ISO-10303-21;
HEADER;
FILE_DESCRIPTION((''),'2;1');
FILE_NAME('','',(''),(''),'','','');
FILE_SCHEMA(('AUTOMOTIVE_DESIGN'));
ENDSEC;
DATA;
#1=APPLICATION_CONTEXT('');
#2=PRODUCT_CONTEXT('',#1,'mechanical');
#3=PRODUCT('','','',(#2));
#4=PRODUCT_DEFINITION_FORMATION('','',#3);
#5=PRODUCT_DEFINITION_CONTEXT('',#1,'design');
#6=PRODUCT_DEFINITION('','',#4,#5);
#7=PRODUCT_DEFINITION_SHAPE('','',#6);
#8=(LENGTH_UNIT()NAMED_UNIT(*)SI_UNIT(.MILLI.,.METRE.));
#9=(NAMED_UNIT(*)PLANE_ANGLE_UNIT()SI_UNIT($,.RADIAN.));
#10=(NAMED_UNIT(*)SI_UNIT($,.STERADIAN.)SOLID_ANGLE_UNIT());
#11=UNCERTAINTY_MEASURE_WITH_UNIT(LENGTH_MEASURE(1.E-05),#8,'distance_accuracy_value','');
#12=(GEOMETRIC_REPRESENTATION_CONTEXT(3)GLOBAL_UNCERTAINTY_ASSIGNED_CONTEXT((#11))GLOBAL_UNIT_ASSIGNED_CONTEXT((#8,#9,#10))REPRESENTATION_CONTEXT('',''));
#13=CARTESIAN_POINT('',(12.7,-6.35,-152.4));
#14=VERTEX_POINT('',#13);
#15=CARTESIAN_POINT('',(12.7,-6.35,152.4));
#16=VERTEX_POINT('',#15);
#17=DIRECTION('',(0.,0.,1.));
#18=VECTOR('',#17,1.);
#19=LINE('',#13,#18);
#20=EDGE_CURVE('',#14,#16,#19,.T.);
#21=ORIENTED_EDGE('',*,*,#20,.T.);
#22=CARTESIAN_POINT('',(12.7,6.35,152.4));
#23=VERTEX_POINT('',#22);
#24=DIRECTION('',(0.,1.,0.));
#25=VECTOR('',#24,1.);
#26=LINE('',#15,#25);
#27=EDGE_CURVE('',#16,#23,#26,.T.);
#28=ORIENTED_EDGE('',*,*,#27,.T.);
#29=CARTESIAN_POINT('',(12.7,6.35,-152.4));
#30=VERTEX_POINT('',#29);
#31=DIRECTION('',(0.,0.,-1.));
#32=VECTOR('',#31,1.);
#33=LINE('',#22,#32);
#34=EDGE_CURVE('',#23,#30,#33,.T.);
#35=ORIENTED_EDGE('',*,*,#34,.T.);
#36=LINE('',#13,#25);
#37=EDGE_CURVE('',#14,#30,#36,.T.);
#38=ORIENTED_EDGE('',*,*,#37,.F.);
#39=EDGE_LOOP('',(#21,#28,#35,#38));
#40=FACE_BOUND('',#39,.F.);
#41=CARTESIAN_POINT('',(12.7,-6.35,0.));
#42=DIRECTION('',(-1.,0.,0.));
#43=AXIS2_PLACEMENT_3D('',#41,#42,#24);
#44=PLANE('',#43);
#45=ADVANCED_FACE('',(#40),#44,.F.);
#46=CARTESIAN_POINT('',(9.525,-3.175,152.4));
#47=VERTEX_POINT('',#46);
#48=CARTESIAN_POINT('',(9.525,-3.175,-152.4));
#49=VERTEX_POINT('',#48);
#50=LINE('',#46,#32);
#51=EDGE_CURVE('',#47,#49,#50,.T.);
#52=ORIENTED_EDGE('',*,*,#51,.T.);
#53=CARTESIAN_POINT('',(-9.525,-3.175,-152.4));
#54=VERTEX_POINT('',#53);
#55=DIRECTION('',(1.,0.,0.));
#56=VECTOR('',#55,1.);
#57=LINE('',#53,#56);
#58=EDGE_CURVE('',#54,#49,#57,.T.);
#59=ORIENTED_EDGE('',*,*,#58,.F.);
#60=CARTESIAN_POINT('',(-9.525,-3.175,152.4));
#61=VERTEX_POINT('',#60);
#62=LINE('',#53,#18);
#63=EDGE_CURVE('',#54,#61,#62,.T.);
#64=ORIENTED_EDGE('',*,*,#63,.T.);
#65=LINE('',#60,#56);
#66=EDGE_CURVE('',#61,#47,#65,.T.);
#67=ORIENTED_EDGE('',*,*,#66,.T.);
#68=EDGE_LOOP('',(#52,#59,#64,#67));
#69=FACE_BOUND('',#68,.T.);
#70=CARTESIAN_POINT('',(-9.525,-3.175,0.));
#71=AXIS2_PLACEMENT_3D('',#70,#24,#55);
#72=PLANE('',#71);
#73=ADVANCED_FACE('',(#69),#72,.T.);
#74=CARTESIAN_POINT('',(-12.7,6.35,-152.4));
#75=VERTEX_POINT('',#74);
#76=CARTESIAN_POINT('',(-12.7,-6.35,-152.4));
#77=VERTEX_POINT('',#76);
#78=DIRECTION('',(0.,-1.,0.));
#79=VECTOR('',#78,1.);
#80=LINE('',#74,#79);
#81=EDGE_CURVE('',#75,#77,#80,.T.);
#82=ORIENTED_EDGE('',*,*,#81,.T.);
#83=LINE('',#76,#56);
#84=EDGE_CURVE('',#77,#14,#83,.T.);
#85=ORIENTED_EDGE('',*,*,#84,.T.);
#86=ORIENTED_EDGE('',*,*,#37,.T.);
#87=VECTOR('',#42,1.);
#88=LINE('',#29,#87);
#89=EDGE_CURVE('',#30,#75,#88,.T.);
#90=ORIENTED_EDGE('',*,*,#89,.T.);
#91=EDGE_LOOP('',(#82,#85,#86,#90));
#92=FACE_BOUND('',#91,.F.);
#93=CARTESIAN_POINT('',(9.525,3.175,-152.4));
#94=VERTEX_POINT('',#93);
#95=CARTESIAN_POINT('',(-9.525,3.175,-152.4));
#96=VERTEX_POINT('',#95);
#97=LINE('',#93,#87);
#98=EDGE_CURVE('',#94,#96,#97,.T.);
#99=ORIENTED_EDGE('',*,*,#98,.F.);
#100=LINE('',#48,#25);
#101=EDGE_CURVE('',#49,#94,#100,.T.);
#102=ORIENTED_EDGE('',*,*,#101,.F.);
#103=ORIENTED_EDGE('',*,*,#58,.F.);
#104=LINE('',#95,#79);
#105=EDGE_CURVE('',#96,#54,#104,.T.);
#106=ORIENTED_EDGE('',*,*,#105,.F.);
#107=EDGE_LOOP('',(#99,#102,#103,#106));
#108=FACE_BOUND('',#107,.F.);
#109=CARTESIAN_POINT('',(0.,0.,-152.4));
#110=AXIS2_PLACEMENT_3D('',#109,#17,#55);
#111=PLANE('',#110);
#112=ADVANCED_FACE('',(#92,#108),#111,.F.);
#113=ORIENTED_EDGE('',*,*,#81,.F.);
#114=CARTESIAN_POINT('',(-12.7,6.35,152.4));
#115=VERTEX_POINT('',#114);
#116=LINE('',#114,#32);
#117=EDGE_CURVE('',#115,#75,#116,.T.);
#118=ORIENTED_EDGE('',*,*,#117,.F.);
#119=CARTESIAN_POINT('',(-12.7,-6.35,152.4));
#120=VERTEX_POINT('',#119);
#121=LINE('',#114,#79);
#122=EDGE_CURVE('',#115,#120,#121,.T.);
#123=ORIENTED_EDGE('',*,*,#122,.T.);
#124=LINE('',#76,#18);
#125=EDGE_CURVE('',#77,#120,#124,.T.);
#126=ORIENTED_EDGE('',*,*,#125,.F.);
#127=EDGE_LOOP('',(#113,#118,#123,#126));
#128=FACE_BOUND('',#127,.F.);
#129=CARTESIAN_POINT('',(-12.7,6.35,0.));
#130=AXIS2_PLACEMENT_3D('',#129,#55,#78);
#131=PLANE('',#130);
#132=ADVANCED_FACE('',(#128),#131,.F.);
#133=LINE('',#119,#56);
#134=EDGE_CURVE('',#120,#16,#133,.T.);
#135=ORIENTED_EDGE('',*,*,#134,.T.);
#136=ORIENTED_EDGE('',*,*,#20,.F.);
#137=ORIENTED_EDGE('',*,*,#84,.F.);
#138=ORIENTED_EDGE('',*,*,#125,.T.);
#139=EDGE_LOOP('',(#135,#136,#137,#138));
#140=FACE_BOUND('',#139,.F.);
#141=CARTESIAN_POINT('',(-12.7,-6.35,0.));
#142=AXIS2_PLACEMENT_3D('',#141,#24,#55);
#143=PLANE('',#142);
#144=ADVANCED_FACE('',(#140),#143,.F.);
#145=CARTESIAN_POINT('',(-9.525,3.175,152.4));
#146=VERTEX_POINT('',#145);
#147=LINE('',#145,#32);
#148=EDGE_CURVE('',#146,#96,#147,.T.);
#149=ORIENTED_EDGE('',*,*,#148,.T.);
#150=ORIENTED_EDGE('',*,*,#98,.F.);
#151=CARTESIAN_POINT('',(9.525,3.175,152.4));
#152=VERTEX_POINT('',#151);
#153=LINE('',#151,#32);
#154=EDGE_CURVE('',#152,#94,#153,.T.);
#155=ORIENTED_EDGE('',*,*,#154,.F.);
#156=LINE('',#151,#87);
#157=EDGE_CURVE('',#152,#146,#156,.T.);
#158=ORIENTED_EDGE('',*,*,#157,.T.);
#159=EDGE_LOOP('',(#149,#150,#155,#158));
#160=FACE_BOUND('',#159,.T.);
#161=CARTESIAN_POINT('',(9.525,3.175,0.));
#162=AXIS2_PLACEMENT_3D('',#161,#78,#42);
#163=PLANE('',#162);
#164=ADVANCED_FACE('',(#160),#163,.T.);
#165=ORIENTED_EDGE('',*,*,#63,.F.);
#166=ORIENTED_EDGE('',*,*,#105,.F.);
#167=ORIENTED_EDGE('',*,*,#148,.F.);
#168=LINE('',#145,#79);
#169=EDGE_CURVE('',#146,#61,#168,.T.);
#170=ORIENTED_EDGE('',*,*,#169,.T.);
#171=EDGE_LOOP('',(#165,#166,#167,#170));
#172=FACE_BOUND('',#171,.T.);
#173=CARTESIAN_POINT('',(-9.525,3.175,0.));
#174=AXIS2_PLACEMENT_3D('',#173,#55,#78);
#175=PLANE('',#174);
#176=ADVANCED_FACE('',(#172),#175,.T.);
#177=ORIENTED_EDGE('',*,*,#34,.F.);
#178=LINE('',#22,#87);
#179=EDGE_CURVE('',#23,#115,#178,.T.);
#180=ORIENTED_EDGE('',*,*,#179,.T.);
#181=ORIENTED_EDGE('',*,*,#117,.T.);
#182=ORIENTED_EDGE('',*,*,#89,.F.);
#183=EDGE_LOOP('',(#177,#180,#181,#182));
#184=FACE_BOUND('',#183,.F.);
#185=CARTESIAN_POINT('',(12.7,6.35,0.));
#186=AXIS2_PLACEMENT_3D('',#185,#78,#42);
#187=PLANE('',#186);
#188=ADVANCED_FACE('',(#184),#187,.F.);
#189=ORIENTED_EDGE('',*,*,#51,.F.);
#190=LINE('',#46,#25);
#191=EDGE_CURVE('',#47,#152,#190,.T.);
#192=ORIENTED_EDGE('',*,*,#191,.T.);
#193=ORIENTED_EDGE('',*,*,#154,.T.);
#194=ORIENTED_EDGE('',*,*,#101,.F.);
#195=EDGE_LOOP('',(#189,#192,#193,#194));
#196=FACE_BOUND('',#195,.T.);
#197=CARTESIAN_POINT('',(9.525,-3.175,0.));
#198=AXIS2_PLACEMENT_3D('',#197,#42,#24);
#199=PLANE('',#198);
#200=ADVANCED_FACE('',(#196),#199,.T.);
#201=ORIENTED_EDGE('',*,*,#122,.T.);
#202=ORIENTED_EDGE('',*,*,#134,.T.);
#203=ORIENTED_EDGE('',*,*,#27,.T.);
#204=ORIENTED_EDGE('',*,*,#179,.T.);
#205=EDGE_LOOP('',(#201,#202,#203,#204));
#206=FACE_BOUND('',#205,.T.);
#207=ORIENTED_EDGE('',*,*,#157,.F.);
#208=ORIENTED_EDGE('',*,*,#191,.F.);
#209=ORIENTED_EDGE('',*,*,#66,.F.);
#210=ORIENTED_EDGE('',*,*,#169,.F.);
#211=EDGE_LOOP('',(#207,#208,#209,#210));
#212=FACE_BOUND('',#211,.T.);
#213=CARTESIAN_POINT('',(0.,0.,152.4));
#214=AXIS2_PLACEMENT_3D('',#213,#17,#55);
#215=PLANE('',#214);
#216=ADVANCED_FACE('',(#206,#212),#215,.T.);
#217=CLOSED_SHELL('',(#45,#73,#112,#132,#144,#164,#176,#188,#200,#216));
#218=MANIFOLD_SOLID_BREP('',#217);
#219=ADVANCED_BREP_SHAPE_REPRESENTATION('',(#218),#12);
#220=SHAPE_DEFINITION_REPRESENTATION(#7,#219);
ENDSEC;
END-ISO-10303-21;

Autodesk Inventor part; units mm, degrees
ref_plane "YZ Plane" through (0, 0, 0) normal (1, 0, 0) x (0, 1, 0)
ref_plane "XZ Plane" through (0, 0, 0) normal (0, 1, 0) x (-1, 0, 0)
ref_plane "XY Plane" through (0, 0, 0) normal (0, 0, 1) x (1, 0, 0)
sketch "Sketch1" plane through (0, 0, 0) normal (0, 0, 1) x (1, 0, 0)
  line L0 (-12.7, -6.35) -> (12.7, -6.35)
  line L1 (12.7, -6.35) -> (12.7, 6.35)
  line L2 (12.7, 6.35) -> (-12.7, 6.35)
  line L3 (-12.7, 6.35) -> (-12.7, -6.35)
  line L4 (-12.7, -6.35) -> (12.7, 6.35) construction
  line L5 (12.7, -6.35) -> (-12.7, 6.35) construction
  line L6 (-9.525, -3.175) -> (9.525, -3.175)
  line L7 (9.525, -3.175) -> (9.525, 3.175)
  line L8 (9.525, 3.175) -> (-9.525, 3.175)
  line L9 (-9.525, 3.175) -> (-9.525, -3.175)
  line L10 (-9.525, -3.175) -> (9.525, 3.175) construction
  line L11 (9.525, -3.175) -> (-9.525, 3.175) construction
  point P0 (0, 0)
  dimension "d0" = 25.4
  dimension "d1" = 12.7
  dimension "d2" = 3.175
  dimension "d3" = 3.175
extrude "Extrusion1" add sketch "Sketch1" along normal mid plane 304.8
properties part number "1x0_5x12-90degreeEndsAluminumExtrusion" material "Aluminum 6061, Welded"
